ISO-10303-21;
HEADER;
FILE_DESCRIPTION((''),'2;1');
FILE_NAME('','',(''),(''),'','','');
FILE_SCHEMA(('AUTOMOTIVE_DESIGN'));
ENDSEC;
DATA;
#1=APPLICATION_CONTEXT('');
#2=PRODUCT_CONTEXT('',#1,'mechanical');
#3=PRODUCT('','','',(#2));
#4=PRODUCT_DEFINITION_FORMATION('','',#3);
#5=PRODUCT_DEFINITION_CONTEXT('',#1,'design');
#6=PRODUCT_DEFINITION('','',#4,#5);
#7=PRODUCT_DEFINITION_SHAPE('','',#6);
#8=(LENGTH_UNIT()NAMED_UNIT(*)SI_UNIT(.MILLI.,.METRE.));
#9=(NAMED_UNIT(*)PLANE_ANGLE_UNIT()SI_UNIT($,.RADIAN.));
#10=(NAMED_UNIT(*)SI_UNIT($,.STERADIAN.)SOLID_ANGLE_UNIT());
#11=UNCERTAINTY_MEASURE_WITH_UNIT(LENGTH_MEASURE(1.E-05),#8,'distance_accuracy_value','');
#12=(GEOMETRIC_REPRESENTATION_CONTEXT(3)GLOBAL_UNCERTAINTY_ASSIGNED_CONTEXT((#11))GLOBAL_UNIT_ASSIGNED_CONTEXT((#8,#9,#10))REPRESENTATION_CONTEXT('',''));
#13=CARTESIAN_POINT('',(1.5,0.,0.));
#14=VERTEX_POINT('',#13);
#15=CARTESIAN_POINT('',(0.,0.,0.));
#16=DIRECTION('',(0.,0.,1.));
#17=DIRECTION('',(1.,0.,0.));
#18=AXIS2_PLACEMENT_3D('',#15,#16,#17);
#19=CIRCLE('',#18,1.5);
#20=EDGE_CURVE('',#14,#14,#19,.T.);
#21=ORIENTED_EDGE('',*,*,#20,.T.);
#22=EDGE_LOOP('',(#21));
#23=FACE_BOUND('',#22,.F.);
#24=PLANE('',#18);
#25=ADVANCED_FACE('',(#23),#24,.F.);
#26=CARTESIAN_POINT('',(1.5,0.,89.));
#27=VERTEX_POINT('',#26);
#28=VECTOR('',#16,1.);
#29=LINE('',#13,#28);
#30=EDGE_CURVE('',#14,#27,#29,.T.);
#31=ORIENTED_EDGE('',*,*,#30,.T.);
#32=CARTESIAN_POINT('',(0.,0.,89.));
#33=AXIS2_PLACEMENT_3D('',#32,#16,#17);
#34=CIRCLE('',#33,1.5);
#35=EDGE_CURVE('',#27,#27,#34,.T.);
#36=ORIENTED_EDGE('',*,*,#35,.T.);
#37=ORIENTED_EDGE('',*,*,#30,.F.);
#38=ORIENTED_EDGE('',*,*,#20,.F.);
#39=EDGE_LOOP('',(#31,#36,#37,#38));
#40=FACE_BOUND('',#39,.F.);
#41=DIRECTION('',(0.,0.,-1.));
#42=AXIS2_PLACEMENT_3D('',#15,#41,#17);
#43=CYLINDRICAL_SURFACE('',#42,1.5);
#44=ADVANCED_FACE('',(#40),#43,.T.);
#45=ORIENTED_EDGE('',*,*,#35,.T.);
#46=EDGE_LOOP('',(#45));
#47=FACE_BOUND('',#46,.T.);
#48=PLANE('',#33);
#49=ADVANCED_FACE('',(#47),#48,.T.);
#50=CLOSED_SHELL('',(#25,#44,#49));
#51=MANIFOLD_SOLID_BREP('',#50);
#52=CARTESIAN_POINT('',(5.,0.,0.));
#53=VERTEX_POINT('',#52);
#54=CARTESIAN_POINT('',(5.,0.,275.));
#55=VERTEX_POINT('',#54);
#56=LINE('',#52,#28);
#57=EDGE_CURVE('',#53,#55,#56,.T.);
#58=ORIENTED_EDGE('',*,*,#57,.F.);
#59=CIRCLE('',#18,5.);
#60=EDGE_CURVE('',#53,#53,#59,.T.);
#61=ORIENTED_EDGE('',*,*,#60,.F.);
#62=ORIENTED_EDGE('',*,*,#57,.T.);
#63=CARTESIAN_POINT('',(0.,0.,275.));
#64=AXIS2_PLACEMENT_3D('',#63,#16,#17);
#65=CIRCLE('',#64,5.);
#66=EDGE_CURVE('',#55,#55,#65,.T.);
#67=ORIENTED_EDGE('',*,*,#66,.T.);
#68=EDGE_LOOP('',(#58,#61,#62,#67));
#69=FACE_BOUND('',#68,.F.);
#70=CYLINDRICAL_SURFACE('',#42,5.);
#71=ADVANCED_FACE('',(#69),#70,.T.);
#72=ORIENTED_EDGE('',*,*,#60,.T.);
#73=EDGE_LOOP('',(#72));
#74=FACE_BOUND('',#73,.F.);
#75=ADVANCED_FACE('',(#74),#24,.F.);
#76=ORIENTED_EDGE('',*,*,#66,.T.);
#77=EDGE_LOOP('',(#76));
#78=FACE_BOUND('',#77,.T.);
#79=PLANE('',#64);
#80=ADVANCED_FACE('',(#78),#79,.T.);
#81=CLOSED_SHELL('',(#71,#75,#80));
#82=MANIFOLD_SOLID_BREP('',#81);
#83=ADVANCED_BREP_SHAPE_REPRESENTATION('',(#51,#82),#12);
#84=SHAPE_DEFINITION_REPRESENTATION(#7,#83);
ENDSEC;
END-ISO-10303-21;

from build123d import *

# Parameters (mm, degrees)
F0_R     = 5
F1_DEPTH = 275
F2_R     = 1.5
F3_DEPTH = 89


with BuildPart() as f1:
    # F0 (on Top) → F1 (new body)
    with BuildSketch(Plane.XY):
        Circle(F0_R)
    extrude(amount=F1_DEPTH)


with BuildPart() as f3:
    # F2 (on Top) → F3 (new body)
    with BuildSketch(Plane.XY):
        Circle(F2_R)
    extrude(amount=F3_DEPTH)


solid = Compound([f1.part, f3.part])
